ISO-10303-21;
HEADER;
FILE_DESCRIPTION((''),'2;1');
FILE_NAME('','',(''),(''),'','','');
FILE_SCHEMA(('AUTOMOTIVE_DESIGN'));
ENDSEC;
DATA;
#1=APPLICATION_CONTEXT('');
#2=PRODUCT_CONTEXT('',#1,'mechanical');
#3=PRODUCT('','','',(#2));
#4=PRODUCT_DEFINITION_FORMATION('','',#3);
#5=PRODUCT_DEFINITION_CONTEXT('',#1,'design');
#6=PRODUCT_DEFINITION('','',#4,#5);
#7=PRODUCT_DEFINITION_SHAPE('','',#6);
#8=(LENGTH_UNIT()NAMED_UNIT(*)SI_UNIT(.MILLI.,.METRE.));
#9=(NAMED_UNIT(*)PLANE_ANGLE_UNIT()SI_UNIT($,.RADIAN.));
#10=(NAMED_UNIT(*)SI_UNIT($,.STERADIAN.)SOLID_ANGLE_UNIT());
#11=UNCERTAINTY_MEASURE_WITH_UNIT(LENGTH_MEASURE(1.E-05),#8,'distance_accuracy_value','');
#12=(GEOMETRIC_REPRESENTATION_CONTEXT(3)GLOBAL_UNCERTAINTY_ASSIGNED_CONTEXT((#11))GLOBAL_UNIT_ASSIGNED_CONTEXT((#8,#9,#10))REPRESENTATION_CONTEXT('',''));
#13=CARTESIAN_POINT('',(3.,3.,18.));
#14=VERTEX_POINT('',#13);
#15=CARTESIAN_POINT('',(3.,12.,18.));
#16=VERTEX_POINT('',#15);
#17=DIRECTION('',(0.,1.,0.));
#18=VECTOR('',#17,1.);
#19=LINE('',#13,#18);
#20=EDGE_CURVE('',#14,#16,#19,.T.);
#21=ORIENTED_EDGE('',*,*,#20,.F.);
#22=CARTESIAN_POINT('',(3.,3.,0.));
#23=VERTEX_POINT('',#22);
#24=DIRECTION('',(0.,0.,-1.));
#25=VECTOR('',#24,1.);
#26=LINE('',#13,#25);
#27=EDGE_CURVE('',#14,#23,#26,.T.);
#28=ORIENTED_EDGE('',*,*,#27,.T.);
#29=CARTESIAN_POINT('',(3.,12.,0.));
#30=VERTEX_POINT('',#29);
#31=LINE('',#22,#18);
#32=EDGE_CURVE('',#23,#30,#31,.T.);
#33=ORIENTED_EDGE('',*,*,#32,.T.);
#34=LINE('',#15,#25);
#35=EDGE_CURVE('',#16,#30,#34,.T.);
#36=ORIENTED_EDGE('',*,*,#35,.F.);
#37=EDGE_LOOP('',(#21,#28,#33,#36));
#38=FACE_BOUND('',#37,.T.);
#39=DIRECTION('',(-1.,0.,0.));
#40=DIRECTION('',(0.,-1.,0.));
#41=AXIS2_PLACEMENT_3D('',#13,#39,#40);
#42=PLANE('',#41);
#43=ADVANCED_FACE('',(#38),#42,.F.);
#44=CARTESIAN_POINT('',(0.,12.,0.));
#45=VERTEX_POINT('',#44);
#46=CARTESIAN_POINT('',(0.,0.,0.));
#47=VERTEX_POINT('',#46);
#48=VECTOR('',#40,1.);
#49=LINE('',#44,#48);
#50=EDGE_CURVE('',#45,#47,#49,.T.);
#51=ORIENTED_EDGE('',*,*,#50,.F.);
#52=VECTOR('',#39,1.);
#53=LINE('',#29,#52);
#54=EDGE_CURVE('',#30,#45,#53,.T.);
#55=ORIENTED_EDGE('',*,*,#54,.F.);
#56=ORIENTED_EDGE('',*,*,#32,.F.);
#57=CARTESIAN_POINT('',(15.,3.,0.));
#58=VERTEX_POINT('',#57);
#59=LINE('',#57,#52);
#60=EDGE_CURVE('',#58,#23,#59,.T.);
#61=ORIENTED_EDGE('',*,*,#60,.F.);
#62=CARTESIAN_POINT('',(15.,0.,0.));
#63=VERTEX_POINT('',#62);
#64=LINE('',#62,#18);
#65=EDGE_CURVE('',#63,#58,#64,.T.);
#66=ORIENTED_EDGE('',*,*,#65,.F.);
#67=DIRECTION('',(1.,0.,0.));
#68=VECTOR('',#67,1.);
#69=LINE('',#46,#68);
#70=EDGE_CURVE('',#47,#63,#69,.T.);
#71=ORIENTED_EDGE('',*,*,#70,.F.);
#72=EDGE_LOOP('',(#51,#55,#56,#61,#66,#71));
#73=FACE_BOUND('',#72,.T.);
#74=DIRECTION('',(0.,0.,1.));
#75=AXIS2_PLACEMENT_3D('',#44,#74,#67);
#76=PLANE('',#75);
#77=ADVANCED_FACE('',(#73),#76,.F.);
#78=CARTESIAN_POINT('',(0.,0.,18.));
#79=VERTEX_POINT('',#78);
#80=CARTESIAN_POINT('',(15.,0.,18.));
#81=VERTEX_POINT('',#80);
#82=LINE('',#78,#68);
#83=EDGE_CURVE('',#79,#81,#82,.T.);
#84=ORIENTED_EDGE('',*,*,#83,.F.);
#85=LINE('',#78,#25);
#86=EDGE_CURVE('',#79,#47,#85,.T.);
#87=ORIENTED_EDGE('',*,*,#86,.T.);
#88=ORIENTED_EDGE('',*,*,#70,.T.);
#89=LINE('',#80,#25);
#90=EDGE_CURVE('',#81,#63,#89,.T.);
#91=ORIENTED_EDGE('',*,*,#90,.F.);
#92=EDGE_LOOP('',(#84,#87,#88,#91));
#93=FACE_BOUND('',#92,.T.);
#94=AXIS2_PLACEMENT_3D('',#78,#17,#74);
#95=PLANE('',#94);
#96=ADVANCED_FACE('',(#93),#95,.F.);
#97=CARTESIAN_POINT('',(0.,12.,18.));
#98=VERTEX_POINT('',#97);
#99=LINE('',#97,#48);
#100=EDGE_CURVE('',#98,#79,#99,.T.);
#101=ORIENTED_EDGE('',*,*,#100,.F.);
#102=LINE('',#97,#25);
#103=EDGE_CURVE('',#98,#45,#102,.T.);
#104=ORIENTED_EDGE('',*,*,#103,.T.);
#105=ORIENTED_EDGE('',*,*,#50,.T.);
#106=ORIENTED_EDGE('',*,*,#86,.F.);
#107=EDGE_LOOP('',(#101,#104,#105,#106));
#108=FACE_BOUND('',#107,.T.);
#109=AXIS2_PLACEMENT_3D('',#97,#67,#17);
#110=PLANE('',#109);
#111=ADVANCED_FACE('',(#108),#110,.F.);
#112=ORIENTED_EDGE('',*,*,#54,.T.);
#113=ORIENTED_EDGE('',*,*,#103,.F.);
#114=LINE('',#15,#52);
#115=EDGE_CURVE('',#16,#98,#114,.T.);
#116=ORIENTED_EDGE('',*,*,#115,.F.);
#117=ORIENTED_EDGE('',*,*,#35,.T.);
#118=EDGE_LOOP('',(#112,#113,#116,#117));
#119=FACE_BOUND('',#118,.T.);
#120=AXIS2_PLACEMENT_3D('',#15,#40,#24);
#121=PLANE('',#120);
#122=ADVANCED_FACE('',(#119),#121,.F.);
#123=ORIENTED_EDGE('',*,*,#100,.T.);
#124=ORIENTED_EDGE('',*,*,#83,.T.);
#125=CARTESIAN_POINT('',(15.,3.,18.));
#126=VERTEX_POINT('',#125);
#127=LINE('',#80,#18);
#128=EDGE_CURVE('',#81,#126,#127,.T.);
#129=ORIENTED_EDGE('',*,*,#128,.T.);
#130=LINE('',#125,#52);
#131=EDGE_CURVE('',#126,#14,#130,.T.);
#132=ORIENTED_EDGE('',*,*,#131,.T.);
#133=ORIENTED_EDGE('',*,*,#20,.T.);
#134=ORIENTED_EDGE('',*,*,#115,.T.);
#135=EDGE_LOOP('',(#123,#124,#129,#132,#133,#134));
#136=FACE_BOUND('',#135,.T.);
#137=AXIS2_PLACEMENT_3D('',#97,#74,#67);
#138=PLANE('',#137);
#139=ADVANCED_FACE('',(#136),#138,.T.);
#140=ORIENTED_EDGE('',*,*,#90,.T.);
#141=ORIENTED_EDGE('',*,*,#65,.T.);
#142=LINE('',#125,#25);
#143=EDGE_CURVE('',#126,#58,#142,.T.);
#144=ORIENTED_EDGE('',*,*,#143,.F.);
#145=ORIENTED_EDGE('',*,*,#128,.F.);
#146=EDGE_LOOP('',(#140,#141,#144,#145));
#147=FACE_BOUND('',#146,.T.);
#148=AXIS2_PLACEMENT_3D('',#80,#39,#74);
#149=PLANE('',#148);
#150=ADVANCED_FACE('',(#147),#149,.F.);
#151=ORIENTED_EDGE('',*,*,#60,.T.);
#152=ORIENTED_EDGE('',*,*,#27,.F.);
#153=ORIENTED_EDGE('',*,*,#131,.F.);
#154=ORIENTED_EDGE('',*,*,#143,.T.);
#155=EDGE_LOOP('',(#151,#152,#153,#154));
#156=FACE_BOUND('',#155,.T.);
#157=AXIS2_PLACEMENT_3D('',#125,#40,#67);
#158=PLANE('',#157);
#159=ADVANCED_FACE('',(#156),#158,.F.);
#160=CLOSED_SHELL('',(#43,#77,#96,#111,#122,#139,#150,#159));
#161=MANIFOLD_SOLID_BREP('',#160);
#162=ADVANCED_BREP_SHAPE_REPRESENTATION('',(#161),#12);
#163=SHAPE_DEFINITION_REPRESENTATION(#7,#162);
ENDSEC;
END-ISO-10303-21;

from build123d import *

# Parameters (mm, degrees)
BOSS_EXTRU_1_DEPTH = 18


with BuildPart() as part:
    # Esquisse1 → Boss.-Extru.1 (new body)
    with BuildSketch(Plane.XY):
        Polygon((0, 12), (0, 0), (15, 0), (15, 3), (3, 3), (3, 12), align=None)
    extrude(amount=BOSS_EXTRU_1_DEPTH)


solid = part.part
